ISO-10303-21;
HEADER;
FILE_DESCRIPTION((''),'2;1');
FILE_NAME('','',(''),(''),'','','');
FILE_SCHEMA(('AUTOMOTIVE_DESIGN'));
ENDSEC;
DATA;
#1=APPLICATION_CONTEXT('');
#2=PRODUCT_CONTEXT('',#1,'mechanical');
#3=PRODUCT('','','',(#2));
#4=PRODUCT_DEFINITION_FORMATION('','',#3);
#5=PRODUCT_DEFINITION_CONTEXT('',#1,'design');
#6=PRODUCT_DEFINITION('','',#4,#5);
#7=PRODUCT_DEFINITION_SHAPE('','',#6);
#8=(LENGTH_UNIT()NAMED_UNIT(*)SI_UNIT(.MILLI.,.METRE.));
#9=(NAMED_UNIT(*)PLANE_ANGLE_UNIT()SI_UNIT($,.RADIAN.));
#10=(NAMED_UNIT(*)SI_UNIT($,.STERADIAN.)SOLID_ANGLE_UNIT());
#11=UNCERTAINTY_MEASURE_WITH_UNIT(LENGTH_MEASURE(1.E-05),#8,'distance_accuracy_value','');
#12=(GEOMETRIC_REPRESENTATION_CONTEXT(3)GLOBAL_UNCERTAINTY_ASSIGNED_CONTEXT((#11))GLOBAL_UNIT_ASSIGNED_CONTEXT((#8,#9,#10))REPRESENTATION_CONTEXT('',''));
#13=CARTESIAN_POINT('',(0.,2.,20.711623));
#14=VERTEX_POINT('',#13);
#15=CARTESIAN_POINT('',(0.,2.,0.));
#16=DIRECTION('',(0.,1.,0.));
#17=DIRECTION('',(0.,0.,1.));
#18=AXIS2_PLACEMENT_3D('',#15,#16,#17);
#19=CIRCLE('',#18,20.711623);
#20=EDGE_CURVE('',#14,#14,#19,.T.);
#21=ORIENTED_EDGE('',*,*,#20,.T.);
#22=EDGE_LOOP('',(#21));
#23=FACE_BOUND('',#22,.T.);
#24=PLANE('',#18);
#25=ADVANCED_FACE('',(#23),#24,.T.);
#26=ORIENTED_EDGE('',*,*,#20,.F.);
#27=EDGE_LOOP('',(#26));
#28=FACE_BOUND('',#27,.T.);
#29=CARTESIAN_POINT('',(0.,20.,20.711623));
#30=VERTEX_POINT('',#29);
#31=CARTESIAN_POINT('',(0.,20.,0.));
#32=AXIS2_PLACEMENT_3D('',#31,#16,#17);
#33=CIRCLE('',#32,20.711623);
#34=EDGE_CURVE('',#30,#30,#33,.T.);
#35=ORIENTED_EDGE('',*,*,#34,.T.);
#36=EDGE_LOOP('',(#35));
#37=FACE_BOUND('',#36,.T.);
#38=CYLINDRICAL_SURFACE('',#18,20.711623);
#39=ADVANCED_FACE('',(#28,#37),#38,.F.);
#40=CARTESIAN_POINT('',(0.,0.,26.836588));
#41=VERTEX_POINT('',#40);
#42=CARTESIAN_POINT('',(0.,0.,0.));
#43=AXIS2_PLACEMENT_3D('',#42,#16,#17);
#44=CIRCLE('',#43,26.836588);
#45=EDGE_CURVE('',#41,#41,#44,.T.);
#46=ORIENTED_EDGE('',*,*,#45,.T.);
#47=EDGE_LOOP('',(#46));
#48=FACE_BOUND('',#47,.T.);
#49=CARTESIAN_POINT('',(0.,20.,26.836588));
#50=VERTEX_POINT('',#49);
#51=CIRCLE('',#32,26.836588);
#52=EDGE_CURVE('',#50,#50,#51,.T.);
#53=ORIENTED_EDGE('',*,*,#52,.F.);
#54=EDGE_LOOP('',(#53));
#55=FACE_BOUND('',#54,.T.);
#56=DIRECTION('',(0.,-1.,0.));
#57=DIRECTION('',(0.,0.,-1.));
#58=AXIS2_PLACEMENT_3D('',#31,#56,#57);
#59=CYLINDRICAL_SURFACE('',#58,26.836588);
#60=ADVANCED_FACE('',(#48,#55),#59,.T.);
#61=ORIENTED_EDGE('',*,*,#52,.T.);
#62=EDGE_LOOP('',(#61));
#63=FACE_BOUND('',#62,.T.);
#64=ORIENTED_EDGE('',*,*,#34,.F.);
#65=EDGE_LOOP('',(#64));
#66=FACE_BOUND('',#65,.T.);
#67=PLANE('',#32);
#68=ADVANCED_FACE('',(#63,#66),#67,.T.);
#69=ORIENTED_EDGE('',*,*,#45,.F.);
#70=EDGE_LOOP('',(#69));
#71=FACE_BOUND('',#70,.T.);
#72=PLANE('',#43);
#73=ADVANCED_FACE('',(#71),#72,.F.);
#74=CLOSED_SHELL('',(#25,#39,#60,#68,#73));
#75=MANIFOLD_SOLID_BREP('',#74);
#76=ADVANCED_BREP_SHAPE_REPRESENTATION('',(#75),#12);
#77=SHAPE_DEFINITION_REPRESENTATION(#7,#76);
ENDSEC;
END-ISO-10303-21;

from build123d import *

# Parameters (mm, degrees)
SKETCH1_R                  = 26.836587873
DC_MOTOR_CAVITY_BASE_DEPTH = 20
SKETCH2_R                  = 20.711623291
CAVITY_DEPTH               = 18


with BuildPart() as part:
    # Sketch1 → DC Motor Cavity Base (new body)
    with BuildSketch(Plane(origin=(0, 0, 0), x_dir=(1, 0, 0), z_dir=(0, 1, 0))):
        with Locations(Location((0, 0, 0), (0, 0, 270))):
            Circle(SKETCH1_R)
    extrude(amount=DC_MOTOR_CAVITY_BASE_DEPTH)

    # Sketch2 → Cavity (cut)
    with BuildSketch(Plane(origin=(0, 20, 0), x_dir=(1, 0, 0), z_dir=(0, 1, 0))):
        with Locations(Location((0, 0, 0), (0, 0, 270))):
            Circle(SKETCH2_R)
    extrude(amount=-CAVITY_DEPTH, mode=Mode.SUBTRACT)


solid = part.part
